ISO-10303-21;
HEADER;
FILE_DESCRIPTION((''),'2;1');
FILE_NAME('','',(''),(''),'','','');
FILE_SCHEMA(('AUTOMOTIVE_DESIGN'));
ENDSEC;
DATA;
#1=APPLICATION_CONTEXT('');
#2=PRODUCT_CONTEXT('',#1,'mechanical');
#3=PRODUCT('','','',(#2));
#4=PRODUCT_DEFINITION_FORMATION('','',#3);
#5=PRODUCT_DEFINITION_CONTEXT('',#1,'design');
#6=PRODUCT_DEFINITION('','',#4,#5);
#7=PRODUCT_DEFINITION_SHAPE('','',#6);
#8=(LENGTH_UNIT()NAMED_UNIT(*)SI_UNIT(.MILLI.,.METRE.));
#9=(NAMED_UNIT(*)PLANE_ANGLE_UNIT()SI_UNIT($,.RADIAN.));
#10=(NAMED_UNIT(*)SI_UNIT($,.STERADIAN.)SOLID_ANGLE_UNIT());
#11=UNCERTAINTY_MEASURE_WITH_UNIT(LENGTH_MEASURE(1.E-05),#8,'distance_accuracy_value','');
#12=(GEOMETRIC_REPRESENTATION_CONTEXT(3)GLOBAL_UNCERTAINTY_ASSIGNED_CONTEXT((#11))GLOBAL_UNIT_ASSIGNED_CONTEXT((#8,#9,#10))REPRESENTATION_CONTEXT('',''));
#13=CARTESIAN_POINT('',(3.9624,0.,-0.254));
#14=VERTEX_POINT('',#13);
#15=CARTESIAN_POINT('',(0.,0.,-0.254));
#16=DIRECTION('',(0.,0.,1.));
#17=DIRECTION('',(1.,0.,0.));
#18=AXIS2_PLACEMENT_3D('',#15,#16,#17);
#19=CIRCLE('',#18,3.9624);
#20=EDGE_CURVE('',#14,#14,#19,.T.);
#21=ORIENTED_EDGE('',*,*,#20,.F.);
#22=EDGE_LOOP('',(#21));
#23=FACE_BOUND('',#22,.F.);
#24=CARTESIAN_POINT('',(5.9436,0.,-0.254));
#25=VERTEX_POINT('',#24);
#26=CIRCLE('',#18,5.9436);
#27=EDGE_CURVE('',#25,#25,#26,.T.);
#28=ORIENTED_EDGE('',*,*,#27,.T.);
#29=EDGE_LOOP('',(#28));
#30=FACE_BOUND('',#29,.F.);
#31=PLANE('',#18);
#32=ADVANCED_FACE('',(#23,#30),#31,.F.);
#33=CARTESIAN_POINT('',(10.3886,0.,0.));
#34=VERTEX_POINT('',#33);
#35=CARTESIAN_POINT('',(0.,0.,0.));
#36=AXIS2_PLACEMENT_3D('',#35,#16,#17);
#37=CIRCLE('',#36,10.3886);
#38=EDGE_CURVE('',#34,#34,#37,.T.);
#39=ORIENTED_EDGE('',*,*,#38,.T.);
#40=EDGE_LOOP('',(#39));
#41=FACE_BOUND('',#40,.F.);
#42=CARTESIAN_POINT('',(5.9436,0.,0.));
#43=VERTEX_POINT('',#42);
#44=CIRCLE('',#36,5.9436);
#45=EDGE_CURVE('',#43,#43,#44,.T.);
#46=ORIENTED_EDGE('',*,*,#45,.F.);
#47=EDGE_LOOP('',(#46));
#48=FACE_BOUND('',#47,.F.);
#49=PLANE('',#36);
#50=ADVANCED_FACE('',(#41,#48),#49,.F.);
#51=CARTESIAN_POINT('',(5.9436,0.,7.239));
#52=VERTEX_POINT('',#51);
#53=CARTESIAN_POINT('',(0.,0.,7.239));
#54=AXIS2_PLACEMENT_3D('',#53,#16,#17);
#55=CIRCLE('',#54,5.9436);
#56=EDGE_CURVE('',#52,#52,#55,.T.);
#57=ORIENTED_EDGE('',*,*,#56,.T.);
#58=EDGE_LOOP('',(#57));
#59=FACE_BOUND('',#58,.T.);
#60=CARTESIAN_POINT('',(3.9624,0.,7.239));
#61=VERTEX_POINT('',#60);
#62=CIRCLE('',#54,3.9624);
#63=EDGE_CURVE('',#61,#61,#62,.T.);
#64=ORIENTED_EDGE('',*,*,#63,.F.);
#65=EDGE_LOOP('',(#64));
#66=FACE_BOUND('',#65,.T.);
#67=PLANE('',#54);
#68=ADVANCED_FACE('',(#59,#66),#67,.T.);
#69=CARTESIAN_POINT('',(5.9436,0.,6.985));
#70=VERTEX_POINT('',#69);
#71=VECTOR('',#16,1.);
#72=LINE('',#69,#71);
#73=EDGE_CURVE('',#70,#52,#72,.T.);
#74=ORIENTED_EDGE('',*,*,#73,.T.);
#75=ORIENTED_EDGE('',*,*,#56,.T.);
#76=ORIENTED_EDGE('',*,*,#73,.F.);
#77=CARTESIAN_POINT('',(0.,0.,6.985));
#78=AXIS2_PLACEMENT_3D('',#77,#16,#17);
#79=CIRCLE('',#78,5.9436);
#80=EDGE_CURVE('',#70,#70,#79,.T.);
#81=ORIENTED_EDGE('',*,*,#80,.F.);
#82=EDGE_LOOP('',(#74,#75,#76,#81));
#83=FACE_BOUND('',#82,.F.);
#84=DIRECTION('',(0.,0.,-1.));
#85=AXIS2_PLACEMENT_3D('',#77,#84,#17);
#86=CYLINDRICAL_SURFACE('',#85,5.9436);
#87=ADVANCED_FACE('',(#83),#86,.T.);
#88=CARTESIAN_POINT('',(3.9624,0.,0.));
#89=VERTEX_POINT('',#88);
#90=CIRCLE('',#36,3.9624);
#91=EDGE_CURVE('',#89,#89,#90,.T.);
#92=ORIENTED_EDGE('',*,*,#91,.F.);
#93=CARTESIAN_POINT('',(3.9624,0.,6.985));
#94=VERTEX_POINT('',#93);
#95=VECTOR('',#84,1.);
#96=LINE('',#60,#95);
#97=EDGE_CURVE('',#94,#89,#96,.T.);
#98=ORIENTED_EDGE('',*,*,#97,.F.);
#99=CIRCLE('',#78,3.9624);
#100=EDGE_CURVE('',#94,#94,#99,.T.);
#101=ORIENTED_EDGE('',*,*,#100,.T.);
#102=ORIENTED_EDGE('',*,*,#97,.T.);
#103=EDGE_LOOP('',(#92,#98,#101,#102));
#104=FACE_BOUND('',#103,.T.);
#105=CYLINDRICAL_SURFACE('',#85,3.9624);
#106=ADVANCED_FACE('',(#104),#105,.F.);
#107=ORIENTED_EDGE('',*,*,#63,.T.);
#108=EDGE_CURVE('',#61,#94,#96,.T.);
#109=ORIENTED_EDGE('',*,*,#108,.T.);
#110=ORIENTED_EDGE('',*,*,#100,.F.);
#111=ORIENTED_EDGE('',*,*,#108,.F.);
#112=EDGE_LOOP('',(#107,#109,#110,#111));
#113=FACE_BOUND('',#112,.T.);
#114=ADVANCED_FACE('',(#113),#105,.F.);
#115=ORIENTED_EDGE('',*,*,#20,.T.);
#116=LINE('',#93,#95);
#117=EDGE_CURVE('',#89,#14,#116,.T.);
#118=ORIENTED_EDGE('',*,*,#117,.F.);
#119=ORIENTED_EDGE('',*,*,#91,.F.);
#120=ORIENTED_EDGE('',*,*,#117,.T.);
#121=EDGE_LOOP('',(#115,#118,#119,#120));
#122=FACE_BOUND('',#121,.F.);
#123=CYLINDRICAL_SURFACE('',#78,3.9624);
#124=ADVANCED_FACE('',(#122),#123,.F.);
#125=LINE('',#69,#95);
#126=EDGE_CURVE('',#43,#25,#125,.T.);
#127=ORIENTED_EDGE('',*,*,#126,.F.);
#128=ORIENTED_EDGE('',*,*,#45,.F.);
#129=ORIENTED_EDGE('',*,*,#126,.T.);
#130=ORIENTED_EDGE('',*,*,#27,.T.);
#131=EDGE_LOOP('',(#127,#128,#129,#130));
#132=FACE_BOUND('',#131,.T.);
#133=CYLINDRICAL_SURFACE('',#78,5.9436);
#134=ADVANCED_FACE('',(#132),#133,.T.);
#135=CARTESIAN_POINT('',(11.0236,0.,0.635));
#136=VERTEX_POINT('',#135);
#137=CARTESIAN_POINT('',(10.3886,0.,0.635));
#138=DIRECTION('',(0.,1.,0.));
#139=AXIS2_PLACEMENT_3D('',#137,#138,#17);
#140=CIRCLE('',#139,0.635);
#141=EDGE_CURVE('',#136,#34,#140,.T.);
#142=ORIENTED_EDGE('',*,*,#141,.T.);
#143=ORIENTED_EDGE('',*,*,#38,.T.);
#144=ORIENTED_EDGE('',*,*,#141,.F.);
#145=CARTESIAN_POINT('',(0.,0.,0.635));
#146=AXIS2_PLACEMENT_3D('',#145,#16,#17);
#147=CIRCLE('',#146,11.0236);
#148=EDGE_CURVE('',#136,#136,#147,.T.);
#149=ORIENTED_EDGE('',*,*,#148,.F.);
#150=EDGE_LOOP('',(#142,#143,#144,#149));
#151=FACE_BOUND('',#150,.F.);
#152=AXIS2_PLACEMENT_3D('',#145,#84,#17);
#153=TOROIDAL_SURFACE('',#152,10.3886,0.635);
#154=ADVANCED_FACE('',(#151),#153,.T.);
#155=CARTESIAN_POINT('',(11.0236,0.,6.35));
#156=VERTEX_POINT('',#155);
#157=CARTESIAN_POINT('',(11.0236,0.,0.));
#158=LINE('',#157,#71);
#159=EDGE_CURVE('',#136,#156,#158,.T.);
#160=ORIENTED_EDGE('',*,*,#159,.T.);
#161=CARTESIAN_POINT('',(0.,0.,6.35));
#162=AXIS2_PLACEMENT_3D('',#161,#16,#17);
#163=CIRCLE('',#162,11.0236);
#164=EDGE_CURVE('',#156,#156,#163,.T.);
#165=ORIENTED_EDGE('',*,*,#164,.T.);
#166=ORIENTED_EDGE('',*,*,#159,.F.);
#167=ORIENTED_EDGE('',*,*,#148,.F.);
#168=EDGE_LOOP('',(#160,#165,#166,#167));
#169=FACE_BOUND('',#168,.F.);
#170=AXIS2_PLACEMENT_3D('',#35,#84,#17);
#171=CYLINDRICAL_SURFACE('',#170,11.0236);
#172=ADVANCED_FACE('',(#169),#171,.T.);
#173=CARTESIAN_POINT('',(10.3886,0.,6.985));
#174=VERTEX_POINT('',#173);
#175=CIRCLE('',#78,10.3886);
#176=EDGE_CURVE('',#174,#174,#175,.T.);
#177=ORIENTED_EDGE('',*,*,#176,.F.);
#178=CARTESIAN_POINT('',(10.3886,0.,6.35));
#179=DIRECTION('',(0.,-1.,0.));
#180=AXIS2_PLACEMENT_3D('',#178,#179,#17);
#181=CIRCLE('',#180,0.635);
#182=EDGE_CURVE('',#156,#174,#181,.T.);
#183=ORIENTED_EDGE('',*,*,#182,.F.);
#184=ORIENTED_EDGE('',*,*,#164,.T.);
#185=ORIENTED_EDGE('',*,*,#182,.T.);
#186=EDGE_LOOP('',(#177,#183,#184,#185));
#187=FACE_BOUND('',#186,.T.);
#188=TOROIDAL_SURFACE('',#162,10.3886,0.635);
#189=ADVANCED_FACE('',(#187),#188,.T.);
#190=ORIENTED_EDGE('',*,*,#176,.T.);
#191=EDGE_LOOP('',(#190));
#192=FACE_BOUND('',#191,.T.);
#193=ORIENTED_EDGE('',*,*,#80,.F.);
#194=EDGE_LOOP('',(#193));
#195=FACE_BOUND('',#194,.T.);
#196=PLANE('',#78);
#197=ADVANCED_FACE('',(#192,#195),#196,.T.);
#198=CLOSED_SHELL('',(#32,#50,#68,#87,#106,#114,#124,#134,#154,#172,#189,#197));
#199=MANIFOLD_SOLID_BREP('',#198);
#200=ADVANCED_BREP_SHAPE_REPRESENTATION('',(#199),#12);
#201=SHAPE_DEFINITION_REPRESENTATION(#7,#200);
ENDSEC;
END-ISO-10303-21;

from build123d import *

# Parameters (mm, degrees)
F0_R          = 11.0236
F0_R_2        = 5.842
F0_R_3        = 3.9624
F1_DEPTH      = 6.985
F2_R          = 0.635
F3_R          = 5.9436
F3_R_2        = 3.9624
F4_DEPTH      = 0.254
F4_DEPTH_BACK = 7.239


with BuildPart() as f1:
    # F0 (on Top) → F1 (new body)
    with BuildSketch(Plane.XY):
        Circle(F0_R)
        Circle(F0_R_2, mode=Mode.SUBTRACT)
        Circle(F0_R_2)
        Circle(F0_R_3, mode=Mode.SUBTRACT)
    extrude(amount=F1_DEPTH)

    # F2
    f2_edges = [f1.edges().sort_by_distance(p)[0] for p in [
        (-11.0236, 0, 0),
        (-11.0236, 0, 6.985),
    ]]
    fillet(f2_edges, radius=F2_R)

    # F3 (on face) → F4 (join, two sides)
    with BuildSketch(Plane.XY.offset(6.985)) as f4_sk:
        Circle(F3_R)
        Circle(F3_R_2, mode=Mode.SUBTRACT)
    extrude(amount=F4_DEPTH)
    extrude(f4_sk.sketch, amount=-F4_DEPTH_BACK)


solid = f1.part
